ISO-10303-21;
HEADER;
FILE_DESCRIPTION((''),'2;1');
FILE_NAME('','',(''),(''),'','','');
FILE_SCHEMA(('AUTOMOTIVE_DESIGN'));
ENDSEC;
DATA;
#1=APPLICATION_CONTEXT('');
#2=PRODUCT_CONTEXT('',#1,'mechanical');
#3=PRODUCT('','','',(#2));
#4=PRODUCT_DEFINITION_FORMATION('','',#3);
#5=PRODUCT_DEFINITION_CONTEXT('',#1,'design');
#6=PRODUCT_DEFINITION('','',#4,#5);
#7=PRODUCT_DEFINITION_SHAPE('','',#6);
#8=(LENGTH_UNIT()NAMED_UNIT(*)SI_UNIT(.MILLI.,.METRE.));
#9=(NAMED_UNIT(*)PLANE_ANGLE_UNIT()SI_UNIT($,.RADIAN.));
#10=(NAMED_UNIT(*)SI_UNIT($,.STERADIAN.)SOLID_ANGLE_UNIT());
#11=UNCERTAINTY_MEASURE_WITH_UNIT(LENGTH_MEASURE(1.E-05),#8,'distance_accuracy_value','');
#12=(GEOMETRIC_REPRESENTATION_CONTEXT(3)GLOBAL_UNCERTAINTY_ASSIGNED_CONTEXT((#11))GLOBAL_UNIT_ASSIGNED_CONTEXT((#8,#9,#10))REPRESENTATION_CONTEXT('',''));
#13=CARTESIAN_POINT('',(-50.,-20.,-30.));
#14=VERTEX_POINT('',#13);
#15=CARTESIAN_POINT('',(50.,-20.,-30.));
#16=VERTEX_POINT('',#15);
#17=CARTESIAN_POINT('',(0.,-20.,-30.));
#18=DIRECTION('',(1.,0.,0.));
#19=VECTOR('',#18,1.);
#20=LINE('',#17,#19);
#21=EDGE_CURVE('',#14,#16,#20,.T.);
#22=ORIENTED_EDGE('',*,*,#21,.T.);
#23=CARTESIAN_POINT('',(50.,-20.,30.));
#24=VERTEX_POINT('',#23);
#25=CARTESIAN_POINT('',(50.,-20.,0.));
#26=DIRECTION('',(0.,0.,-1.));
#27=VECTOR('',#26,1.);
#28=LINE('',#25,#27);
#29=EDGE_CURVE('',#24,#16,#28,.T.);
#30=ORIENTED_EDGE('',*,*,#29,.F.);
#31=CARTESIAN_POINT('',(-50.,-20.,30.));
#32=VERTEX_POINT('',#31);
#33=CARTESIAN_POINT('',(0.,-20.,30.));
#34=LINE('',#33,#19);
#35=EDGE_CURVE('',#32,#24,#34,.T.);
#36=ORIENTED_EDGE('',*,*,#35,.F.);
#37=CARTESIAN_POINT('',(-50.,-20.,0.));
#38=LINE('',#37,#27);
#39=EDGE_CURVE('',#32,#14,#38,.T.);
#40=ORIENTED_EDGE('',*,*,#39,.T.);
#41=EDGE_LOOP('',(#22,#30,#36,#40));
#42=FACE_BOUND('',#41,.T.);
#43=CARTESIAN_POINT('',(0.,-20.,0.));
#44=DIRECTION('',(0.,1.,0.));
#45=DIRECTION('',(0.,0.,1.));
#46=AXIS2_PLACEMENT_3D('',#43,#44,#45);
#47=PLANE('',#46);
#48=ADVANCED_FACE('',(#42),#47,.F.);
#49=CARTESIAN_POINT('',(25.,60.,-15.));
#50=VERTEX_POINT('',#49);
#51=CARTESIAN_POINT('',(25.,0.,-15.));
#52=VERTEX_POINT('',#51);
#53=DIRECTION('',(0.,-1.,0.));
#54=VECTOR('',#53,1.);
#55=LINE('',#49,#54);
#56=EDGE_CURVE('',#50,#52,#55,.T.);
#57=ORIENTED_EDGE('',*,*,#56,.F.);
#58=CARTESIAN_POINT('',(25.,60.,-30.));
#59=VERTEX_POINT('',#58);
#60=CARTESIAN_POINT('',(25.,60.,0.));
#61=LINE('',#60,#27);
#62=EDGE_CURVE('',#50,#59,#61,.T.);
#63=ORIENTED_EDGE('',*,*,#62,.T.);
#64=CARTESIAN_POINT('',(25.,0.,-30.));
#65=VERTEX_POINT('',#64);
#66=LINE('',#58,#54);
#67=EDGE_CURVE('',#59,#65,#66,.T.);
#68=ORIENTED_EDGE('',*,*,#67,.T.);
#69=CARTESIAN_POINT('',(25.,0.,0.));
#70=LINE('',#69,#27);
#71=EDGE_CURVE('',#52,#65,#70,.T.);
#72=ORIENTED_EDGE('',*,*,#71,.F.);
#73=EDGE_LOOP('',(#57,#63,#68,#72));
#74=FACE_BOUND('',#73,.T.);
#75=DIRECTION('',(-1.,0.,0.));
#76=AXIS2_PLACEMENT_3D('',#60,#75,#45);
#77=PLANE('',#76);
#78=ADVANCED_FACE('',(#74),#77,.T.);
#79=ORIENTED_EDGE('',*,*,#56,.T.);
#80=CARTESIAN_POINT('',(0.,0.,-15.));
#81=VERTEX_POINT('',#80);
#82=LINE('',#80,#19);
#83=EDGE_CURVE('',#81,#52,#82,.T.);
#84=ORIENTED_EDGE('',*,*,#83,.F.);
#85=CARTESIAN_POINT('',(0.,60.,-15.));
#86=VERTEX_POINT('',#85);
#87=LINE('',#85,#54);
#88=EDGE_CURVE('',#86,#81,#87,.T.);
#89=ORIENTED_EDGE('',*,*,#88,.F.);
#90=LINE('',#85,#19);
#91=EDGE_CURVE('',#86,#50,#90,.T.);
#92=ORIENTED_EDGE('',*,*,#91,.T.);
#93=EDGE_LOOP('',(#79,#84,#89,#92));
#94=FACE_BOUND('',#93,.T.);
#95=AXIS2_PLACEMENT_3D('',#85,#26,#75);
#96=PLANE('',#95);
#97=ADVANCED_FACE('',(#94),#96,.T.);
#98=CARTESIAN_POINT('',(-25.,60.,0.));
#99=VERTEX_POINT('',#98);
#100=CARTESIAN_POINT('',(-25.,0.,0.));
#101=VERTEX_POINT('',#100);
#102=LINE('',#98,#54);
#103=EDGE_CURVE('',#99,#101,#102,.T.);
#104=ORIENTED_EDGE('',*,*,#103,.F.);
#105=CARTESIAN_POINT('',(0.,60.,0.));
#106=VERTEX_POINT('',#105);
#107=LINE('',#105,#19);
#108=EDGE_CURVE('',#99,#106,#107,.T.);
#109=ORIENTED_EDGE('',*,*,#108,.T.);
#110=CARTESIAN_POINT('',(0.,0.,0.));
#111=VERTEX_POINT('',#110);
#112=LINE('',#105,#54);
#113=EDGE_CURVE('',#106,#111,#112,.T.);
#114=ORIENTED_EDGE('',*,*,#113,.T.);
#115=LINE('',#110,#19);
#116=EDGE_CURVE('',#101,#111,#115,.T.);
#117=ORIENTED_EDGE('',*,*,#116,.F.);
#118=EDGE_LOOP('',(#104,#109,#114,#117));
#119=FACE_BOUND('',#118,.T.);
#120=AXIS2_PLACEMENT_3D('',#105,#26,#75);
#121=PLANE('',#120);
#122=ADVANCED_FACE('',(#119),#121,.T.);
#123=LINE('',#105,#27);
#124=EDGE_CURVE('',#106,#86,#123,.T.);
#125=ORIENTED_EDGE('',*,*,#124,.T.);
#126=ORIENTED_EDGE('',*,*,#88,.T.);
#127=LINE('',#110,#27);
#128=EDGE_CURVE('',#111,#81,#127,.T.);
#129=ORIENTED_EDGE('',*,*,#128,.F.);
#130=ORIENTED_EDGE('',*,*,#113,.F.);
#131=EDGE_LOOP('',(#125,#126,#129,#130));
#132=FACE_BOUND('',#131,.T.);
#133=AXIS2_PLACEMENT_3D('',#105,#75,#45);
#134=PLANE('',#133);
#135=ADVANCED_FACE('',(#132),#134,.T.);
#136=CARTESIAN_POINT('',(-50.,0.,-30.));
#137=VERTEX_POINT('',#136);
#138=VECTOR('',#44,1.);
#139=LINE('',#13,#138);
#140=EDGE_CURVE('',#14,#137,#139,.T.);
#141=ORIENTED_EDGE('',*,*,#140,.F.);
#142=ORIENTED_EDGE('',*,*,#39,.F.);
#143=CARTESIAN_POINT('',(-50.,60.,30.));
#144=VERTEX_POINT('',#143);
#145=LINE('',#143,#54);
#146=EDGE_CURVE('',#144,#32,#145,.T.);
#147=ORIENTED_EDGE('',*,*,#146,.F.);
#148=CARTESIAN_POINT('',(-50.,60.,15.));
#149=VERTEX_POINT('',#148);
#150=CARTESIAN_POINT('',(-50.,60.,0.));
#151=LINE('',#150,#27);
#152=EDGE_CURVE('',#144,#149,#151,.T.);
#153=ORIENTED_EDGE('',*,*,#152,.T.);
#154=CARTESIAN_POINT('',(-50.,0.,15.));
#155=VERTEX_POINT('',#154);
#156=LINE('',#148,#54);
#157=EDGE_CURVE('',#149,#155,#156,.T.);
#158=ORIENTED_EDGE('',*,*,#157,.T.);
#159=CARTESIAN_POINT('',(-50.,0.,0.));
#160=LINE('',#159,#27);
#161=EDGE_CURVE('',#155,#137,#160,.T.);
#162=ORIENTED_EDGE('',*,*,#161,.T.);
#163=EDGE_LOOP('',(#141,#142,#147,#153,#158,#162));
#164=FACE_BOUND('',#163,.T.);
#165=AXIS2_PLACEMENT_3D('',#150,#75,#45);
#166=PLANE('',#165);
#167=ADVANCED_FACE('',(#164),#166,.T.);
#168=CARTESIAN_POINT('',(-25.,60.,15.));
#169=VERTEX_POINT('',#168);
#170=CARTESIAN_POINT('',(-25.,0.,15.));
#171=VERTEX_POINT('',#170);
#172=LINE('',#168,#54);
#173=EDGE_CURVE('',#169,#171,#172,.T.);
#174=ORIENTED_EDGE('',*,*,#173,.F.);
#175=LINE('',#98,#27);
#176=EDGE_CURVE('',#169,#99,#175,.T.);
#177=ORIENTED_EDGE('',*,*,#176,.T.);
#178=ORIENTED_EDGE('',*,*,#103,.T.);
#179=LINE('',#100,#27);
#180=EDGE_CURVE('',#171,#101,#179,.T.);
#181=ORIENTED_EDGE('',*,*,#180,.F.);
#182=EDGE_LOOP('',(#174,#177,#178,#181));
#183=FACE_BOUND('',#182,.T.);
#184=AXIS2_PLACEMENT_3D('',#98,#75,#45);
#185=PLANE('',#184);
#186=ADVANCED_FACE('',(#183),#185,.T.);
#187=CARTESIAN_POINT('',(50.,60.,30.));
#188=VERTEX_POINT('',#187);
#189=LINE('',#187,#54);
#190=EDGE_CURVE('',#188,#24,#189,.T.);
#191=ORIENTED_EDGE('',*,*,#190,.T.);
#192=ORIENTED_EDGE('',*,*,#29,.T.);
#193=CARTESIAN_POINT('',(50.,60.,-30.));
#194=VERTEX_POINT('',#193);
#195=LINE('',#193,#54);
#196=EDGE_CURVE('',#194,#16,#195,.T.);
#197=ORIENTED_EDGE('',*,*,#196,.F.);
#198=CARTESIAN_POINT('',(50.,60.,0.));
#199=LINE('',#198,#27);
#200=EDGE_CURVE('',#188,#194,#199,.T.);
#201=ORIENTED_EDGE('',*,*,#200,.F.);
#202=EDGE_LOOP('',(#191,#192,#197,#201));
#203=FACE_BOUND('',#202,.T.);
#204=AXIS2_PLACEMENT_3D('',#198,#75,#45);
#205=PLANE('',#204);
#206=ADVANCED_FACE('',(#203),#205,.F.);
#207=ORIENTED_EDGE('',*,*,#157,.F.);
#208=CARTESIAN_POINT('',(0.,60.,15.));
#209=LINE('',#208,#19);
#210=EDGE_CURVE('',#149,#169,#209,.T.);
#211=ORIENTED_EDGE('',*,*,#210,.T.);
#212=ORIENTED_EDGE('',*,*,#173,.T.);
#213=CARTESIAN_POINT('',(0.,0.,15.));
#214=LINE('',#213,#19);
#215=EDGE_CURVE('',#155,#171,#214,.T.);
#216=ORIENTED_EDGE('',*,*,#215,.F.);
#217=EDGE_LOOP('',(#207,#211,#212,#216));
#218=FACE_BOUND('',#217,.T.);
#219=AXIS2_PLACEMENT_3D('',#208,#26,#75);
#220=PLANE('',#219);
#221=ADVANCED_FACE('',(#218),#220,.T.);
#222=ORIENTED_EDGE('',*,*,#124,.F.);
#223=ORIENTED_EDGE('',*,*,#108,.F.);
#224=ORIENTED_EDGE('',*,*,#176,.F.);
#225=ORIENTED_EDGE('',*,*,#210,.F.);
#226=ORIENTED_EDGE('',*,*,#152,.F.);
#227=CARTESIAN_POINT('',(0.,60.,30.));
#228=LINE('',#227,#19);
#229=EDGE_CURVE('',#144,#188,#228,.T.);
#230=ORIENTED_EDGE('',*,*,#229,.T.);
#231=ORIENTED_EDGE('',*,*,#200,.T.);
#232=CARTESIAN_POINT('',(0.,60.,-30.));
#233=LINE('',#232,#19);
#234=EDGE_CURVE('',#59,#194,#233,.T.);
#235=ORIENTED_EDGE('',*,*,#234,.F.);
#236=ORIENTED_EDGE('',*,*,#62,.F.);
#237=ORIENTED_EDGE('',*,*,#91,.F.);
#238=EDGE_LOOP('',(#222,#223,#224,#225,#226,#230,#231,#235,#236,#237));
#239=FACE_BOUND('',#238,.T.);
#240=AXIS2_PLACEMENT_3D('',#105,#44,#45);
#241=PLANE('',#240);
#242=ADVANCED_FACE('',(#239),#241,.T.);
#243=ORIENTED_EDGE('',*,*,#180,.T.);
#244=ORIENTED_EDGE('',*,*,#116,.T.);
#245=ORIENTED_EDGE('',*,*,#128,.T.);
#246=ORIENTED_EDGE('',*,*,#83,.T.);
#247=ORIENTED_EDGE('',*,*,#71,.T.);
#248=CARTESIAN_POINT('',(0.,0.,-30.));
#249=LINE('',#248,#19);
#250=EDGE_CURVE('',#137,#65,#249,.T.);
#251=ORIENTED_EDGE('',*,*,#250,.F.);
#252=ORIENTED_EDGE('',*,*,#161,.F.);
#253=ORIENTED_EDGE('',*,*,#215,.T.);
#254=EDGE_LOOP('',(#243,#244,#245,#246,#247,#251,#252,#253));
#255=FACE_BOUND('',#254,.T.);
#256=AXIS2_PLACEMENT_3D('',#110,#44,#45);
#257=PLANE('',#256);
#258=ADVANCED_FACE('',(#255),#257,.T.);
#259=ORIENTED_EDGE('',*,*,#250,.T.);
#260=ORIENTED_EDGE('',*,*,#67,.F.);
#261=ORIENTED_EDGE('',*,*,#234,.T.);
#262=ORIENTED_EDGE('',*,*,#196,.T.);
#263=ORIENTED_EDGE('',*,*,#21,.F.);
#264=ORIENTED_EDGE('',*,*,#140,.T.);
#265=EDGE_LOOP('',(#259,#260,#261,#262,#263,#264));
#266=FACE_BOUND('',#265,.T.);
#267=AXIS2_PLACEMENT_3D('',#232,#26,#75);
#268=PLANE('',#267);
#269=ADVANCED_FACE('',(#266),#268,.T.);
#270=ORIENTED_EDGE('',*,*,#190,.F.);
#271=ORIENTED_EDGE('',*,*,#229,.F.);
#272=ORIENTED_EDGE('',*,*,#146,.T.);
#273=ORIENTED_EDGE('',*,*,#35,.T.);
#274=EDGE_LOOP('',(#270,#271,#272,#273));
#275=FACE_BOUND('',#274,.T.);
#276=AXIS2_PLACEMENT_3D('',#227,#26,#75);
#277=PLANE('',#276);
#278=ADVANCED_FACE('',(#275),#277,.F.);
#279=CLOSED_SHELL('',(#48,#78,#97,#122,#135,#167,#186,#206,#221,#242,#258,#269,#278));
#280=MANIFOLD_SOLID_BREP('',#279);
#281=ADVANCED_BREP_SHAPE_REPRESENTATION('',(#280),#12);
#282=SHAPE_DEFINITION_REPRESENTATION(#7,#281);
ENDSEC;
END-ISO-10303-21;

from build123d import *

# Parameters (mm, degrees)
BOSS_EXTRUDE1_DEPTH = 60
SKETCH1_3_W         = 100
SKETCH1_3_H         = 60
BOSS_EXTRUDE2_DEPTH = 20


with BuildPart() as part:
    # Sketch1 → Boss-Extrude1 (new body)
    with BuildSketch(Plane(origin=(0, 0, 0), x_dir=(1, 0, 0), z_dir=(0, 1, 0))):
        Polygon((-25, -15), (-50, -15), (-50, -30), (50, -30), (50, 30), (25, 30), (25, 15), (0, 15), (0, 0), (-25, 0), align=None)
    extrude(amount=BOSS_EXTRUDE1_DEPTH)

    # Sketch1<3> → Boss-Extrude2 (add)
    with BuildSketch(Plane(origin=(0, 0, 0), x_dir=(1, 0, 0), z_dir=(0, 1, 0))):
        Rectangle(SKETCH1_3_W, SKETCH1_3_H)
    extrude(amount=-BOSS_EXTRUDE2_DEPTH)


solid = part.part
